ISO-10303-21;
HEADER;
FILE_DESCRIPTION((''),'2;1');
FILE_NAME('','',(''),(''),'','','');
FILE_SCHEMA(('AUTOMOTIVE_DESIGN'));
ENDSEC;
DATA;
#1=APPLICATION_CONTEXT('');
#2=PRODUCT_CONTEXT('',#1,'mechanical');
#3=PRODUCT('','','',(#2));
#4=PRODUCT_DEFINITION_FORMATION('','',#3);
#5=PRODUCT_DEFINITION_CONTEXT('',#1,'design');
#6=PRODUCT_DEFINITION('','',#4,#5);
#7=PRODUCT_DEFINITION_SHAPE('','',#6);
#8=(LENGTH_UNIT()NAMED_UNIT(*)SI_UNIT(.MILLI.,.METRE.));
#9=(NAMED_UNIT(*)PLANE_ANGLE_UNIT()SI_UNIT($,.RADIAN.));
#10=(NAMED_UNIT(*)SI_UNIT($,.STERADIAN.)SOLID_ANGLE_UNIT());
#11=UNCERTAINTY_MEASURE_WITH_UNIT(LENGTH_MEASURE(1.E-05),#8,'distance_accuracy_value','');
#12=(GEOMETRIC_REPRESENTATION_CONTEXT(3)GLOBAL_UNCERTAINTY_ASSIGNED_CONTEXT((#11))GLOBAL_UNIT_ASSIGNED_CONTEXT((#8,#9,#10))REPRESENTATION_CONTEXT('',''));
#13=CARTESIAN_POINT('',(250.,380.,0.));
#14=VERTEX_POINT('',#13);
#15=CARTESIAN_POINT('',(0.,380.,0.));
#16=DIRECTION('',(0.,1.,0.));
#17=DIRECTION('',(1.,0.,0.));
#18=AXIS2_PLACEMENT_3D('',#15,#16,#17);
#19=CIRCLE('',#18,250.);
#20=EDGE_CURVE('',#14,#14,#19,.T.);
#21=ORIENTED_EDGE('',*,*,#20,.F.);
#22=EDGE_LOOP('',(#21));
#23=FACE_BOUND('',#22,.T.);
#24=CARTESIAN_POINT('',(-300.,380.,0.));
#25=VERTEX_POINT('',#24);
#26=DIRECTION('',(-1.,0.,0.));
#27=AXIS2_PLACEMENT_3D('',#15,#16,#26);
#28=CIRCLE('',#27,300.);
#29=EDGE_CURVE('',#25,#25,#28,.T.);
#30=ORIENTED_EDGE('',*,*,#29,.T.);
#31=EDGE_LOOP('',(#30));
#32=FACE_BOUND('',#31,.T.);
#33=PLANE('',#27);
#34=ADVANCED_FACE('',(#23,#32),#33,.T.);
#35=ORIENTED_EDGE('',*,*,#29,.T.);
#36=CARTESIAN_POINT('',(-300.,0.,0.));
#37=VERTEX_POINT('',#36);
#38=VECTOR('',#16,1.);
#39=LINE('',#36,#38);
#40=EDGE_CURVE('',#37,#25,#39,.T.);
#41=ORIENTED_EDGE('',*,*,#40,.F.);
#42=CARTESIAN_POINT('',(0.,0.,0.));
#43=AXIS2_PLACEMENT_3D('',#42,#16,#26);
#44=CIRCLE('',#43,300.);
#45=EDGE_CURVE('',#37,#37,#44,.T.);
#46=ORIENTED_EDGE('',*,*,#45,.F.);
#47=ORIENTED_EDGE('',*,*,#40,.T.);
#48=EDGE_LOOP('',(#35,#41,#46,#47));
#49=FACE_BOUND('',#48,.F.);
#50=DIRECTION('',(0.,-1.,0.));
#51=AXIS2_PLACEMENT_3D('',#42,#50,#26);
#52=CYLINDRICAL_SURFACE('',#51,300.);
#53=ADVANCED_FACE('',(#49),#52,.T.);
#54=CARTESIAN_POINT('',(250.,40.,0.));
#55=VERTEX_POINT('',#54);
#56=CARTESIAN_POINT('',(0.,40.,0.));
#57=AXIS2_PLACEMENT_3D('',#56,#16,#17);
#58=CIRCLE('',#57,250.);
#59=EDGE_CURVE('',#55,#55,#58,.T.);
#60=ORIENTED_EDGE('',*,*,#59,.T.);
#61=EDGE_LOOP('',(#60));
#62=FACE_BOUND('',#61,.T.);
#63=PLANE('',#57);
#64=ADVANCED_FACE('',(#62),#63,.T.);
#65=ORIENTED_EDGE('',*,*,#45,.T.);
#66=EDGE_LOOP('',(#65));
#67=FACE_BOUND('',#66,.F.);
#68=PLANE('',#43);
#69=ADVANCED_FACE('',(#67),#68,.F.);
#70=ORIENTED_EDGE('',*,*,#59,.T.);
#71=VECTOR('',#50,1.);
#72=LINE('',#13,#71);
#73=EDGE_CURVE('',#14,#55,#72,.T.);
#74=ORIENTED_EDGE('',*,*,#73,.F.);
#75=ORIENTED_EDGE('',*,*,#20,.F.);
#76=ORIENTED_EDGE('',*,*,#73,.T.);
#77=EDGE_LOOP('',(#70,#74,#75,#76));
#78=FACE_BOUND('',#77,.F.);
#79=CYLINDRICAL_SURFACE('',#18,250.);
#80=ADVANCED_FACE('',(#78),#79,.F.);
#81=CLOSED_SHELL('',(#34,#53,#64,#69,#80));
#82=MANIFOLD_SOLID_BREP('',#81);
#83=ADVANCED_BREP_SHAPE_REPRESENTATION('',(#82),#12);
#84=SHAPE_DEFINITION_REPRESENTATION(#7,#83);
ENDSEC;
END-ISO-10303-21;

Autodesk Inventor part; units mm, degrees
ref_plane "YZ Plane" through (0, 0, 0) normal (1, 0, 0) x (0, 1, 0)
ref_plane "XZ Plane" through (0, 0, 0) normal (0, 1, 0) x (-1, 0, 0)
ref_plane "XY Plane" through (0, 0, 0) normal (0, 0, 1) x (1, 0, 0)
sketch "Sketch1" plane through (0, 0, 0) normal (0, 0, 1) x (1, 0, 0)
  point P0 (0, 0)
sketch "Sketch2" plane through (0, 0, 0) normal (0, 1, 0) x (-1, 0, 0)
  circle A0 centre (0, 0) radius 300
  dimension "d0" = 600
sketch "Sketch3" plane through (0, 0, 0) normal (0, 1, 0) x (-1, 0, 0)
  point P0 (0, 0)
extrude "Extrusion1" add sketch "Sketch2" along normal blind 380
sketch "Sketch4" plane through (0, 380, 0) normal (0, 1, 0) x (1, 0, 0)
  circle A0 centre (0, 0) radius 250
  dimension "d3" = 500
extrude "Extrusion2" cut sketch "Sketch4" against normal blind 340
properties part number "Tub"
